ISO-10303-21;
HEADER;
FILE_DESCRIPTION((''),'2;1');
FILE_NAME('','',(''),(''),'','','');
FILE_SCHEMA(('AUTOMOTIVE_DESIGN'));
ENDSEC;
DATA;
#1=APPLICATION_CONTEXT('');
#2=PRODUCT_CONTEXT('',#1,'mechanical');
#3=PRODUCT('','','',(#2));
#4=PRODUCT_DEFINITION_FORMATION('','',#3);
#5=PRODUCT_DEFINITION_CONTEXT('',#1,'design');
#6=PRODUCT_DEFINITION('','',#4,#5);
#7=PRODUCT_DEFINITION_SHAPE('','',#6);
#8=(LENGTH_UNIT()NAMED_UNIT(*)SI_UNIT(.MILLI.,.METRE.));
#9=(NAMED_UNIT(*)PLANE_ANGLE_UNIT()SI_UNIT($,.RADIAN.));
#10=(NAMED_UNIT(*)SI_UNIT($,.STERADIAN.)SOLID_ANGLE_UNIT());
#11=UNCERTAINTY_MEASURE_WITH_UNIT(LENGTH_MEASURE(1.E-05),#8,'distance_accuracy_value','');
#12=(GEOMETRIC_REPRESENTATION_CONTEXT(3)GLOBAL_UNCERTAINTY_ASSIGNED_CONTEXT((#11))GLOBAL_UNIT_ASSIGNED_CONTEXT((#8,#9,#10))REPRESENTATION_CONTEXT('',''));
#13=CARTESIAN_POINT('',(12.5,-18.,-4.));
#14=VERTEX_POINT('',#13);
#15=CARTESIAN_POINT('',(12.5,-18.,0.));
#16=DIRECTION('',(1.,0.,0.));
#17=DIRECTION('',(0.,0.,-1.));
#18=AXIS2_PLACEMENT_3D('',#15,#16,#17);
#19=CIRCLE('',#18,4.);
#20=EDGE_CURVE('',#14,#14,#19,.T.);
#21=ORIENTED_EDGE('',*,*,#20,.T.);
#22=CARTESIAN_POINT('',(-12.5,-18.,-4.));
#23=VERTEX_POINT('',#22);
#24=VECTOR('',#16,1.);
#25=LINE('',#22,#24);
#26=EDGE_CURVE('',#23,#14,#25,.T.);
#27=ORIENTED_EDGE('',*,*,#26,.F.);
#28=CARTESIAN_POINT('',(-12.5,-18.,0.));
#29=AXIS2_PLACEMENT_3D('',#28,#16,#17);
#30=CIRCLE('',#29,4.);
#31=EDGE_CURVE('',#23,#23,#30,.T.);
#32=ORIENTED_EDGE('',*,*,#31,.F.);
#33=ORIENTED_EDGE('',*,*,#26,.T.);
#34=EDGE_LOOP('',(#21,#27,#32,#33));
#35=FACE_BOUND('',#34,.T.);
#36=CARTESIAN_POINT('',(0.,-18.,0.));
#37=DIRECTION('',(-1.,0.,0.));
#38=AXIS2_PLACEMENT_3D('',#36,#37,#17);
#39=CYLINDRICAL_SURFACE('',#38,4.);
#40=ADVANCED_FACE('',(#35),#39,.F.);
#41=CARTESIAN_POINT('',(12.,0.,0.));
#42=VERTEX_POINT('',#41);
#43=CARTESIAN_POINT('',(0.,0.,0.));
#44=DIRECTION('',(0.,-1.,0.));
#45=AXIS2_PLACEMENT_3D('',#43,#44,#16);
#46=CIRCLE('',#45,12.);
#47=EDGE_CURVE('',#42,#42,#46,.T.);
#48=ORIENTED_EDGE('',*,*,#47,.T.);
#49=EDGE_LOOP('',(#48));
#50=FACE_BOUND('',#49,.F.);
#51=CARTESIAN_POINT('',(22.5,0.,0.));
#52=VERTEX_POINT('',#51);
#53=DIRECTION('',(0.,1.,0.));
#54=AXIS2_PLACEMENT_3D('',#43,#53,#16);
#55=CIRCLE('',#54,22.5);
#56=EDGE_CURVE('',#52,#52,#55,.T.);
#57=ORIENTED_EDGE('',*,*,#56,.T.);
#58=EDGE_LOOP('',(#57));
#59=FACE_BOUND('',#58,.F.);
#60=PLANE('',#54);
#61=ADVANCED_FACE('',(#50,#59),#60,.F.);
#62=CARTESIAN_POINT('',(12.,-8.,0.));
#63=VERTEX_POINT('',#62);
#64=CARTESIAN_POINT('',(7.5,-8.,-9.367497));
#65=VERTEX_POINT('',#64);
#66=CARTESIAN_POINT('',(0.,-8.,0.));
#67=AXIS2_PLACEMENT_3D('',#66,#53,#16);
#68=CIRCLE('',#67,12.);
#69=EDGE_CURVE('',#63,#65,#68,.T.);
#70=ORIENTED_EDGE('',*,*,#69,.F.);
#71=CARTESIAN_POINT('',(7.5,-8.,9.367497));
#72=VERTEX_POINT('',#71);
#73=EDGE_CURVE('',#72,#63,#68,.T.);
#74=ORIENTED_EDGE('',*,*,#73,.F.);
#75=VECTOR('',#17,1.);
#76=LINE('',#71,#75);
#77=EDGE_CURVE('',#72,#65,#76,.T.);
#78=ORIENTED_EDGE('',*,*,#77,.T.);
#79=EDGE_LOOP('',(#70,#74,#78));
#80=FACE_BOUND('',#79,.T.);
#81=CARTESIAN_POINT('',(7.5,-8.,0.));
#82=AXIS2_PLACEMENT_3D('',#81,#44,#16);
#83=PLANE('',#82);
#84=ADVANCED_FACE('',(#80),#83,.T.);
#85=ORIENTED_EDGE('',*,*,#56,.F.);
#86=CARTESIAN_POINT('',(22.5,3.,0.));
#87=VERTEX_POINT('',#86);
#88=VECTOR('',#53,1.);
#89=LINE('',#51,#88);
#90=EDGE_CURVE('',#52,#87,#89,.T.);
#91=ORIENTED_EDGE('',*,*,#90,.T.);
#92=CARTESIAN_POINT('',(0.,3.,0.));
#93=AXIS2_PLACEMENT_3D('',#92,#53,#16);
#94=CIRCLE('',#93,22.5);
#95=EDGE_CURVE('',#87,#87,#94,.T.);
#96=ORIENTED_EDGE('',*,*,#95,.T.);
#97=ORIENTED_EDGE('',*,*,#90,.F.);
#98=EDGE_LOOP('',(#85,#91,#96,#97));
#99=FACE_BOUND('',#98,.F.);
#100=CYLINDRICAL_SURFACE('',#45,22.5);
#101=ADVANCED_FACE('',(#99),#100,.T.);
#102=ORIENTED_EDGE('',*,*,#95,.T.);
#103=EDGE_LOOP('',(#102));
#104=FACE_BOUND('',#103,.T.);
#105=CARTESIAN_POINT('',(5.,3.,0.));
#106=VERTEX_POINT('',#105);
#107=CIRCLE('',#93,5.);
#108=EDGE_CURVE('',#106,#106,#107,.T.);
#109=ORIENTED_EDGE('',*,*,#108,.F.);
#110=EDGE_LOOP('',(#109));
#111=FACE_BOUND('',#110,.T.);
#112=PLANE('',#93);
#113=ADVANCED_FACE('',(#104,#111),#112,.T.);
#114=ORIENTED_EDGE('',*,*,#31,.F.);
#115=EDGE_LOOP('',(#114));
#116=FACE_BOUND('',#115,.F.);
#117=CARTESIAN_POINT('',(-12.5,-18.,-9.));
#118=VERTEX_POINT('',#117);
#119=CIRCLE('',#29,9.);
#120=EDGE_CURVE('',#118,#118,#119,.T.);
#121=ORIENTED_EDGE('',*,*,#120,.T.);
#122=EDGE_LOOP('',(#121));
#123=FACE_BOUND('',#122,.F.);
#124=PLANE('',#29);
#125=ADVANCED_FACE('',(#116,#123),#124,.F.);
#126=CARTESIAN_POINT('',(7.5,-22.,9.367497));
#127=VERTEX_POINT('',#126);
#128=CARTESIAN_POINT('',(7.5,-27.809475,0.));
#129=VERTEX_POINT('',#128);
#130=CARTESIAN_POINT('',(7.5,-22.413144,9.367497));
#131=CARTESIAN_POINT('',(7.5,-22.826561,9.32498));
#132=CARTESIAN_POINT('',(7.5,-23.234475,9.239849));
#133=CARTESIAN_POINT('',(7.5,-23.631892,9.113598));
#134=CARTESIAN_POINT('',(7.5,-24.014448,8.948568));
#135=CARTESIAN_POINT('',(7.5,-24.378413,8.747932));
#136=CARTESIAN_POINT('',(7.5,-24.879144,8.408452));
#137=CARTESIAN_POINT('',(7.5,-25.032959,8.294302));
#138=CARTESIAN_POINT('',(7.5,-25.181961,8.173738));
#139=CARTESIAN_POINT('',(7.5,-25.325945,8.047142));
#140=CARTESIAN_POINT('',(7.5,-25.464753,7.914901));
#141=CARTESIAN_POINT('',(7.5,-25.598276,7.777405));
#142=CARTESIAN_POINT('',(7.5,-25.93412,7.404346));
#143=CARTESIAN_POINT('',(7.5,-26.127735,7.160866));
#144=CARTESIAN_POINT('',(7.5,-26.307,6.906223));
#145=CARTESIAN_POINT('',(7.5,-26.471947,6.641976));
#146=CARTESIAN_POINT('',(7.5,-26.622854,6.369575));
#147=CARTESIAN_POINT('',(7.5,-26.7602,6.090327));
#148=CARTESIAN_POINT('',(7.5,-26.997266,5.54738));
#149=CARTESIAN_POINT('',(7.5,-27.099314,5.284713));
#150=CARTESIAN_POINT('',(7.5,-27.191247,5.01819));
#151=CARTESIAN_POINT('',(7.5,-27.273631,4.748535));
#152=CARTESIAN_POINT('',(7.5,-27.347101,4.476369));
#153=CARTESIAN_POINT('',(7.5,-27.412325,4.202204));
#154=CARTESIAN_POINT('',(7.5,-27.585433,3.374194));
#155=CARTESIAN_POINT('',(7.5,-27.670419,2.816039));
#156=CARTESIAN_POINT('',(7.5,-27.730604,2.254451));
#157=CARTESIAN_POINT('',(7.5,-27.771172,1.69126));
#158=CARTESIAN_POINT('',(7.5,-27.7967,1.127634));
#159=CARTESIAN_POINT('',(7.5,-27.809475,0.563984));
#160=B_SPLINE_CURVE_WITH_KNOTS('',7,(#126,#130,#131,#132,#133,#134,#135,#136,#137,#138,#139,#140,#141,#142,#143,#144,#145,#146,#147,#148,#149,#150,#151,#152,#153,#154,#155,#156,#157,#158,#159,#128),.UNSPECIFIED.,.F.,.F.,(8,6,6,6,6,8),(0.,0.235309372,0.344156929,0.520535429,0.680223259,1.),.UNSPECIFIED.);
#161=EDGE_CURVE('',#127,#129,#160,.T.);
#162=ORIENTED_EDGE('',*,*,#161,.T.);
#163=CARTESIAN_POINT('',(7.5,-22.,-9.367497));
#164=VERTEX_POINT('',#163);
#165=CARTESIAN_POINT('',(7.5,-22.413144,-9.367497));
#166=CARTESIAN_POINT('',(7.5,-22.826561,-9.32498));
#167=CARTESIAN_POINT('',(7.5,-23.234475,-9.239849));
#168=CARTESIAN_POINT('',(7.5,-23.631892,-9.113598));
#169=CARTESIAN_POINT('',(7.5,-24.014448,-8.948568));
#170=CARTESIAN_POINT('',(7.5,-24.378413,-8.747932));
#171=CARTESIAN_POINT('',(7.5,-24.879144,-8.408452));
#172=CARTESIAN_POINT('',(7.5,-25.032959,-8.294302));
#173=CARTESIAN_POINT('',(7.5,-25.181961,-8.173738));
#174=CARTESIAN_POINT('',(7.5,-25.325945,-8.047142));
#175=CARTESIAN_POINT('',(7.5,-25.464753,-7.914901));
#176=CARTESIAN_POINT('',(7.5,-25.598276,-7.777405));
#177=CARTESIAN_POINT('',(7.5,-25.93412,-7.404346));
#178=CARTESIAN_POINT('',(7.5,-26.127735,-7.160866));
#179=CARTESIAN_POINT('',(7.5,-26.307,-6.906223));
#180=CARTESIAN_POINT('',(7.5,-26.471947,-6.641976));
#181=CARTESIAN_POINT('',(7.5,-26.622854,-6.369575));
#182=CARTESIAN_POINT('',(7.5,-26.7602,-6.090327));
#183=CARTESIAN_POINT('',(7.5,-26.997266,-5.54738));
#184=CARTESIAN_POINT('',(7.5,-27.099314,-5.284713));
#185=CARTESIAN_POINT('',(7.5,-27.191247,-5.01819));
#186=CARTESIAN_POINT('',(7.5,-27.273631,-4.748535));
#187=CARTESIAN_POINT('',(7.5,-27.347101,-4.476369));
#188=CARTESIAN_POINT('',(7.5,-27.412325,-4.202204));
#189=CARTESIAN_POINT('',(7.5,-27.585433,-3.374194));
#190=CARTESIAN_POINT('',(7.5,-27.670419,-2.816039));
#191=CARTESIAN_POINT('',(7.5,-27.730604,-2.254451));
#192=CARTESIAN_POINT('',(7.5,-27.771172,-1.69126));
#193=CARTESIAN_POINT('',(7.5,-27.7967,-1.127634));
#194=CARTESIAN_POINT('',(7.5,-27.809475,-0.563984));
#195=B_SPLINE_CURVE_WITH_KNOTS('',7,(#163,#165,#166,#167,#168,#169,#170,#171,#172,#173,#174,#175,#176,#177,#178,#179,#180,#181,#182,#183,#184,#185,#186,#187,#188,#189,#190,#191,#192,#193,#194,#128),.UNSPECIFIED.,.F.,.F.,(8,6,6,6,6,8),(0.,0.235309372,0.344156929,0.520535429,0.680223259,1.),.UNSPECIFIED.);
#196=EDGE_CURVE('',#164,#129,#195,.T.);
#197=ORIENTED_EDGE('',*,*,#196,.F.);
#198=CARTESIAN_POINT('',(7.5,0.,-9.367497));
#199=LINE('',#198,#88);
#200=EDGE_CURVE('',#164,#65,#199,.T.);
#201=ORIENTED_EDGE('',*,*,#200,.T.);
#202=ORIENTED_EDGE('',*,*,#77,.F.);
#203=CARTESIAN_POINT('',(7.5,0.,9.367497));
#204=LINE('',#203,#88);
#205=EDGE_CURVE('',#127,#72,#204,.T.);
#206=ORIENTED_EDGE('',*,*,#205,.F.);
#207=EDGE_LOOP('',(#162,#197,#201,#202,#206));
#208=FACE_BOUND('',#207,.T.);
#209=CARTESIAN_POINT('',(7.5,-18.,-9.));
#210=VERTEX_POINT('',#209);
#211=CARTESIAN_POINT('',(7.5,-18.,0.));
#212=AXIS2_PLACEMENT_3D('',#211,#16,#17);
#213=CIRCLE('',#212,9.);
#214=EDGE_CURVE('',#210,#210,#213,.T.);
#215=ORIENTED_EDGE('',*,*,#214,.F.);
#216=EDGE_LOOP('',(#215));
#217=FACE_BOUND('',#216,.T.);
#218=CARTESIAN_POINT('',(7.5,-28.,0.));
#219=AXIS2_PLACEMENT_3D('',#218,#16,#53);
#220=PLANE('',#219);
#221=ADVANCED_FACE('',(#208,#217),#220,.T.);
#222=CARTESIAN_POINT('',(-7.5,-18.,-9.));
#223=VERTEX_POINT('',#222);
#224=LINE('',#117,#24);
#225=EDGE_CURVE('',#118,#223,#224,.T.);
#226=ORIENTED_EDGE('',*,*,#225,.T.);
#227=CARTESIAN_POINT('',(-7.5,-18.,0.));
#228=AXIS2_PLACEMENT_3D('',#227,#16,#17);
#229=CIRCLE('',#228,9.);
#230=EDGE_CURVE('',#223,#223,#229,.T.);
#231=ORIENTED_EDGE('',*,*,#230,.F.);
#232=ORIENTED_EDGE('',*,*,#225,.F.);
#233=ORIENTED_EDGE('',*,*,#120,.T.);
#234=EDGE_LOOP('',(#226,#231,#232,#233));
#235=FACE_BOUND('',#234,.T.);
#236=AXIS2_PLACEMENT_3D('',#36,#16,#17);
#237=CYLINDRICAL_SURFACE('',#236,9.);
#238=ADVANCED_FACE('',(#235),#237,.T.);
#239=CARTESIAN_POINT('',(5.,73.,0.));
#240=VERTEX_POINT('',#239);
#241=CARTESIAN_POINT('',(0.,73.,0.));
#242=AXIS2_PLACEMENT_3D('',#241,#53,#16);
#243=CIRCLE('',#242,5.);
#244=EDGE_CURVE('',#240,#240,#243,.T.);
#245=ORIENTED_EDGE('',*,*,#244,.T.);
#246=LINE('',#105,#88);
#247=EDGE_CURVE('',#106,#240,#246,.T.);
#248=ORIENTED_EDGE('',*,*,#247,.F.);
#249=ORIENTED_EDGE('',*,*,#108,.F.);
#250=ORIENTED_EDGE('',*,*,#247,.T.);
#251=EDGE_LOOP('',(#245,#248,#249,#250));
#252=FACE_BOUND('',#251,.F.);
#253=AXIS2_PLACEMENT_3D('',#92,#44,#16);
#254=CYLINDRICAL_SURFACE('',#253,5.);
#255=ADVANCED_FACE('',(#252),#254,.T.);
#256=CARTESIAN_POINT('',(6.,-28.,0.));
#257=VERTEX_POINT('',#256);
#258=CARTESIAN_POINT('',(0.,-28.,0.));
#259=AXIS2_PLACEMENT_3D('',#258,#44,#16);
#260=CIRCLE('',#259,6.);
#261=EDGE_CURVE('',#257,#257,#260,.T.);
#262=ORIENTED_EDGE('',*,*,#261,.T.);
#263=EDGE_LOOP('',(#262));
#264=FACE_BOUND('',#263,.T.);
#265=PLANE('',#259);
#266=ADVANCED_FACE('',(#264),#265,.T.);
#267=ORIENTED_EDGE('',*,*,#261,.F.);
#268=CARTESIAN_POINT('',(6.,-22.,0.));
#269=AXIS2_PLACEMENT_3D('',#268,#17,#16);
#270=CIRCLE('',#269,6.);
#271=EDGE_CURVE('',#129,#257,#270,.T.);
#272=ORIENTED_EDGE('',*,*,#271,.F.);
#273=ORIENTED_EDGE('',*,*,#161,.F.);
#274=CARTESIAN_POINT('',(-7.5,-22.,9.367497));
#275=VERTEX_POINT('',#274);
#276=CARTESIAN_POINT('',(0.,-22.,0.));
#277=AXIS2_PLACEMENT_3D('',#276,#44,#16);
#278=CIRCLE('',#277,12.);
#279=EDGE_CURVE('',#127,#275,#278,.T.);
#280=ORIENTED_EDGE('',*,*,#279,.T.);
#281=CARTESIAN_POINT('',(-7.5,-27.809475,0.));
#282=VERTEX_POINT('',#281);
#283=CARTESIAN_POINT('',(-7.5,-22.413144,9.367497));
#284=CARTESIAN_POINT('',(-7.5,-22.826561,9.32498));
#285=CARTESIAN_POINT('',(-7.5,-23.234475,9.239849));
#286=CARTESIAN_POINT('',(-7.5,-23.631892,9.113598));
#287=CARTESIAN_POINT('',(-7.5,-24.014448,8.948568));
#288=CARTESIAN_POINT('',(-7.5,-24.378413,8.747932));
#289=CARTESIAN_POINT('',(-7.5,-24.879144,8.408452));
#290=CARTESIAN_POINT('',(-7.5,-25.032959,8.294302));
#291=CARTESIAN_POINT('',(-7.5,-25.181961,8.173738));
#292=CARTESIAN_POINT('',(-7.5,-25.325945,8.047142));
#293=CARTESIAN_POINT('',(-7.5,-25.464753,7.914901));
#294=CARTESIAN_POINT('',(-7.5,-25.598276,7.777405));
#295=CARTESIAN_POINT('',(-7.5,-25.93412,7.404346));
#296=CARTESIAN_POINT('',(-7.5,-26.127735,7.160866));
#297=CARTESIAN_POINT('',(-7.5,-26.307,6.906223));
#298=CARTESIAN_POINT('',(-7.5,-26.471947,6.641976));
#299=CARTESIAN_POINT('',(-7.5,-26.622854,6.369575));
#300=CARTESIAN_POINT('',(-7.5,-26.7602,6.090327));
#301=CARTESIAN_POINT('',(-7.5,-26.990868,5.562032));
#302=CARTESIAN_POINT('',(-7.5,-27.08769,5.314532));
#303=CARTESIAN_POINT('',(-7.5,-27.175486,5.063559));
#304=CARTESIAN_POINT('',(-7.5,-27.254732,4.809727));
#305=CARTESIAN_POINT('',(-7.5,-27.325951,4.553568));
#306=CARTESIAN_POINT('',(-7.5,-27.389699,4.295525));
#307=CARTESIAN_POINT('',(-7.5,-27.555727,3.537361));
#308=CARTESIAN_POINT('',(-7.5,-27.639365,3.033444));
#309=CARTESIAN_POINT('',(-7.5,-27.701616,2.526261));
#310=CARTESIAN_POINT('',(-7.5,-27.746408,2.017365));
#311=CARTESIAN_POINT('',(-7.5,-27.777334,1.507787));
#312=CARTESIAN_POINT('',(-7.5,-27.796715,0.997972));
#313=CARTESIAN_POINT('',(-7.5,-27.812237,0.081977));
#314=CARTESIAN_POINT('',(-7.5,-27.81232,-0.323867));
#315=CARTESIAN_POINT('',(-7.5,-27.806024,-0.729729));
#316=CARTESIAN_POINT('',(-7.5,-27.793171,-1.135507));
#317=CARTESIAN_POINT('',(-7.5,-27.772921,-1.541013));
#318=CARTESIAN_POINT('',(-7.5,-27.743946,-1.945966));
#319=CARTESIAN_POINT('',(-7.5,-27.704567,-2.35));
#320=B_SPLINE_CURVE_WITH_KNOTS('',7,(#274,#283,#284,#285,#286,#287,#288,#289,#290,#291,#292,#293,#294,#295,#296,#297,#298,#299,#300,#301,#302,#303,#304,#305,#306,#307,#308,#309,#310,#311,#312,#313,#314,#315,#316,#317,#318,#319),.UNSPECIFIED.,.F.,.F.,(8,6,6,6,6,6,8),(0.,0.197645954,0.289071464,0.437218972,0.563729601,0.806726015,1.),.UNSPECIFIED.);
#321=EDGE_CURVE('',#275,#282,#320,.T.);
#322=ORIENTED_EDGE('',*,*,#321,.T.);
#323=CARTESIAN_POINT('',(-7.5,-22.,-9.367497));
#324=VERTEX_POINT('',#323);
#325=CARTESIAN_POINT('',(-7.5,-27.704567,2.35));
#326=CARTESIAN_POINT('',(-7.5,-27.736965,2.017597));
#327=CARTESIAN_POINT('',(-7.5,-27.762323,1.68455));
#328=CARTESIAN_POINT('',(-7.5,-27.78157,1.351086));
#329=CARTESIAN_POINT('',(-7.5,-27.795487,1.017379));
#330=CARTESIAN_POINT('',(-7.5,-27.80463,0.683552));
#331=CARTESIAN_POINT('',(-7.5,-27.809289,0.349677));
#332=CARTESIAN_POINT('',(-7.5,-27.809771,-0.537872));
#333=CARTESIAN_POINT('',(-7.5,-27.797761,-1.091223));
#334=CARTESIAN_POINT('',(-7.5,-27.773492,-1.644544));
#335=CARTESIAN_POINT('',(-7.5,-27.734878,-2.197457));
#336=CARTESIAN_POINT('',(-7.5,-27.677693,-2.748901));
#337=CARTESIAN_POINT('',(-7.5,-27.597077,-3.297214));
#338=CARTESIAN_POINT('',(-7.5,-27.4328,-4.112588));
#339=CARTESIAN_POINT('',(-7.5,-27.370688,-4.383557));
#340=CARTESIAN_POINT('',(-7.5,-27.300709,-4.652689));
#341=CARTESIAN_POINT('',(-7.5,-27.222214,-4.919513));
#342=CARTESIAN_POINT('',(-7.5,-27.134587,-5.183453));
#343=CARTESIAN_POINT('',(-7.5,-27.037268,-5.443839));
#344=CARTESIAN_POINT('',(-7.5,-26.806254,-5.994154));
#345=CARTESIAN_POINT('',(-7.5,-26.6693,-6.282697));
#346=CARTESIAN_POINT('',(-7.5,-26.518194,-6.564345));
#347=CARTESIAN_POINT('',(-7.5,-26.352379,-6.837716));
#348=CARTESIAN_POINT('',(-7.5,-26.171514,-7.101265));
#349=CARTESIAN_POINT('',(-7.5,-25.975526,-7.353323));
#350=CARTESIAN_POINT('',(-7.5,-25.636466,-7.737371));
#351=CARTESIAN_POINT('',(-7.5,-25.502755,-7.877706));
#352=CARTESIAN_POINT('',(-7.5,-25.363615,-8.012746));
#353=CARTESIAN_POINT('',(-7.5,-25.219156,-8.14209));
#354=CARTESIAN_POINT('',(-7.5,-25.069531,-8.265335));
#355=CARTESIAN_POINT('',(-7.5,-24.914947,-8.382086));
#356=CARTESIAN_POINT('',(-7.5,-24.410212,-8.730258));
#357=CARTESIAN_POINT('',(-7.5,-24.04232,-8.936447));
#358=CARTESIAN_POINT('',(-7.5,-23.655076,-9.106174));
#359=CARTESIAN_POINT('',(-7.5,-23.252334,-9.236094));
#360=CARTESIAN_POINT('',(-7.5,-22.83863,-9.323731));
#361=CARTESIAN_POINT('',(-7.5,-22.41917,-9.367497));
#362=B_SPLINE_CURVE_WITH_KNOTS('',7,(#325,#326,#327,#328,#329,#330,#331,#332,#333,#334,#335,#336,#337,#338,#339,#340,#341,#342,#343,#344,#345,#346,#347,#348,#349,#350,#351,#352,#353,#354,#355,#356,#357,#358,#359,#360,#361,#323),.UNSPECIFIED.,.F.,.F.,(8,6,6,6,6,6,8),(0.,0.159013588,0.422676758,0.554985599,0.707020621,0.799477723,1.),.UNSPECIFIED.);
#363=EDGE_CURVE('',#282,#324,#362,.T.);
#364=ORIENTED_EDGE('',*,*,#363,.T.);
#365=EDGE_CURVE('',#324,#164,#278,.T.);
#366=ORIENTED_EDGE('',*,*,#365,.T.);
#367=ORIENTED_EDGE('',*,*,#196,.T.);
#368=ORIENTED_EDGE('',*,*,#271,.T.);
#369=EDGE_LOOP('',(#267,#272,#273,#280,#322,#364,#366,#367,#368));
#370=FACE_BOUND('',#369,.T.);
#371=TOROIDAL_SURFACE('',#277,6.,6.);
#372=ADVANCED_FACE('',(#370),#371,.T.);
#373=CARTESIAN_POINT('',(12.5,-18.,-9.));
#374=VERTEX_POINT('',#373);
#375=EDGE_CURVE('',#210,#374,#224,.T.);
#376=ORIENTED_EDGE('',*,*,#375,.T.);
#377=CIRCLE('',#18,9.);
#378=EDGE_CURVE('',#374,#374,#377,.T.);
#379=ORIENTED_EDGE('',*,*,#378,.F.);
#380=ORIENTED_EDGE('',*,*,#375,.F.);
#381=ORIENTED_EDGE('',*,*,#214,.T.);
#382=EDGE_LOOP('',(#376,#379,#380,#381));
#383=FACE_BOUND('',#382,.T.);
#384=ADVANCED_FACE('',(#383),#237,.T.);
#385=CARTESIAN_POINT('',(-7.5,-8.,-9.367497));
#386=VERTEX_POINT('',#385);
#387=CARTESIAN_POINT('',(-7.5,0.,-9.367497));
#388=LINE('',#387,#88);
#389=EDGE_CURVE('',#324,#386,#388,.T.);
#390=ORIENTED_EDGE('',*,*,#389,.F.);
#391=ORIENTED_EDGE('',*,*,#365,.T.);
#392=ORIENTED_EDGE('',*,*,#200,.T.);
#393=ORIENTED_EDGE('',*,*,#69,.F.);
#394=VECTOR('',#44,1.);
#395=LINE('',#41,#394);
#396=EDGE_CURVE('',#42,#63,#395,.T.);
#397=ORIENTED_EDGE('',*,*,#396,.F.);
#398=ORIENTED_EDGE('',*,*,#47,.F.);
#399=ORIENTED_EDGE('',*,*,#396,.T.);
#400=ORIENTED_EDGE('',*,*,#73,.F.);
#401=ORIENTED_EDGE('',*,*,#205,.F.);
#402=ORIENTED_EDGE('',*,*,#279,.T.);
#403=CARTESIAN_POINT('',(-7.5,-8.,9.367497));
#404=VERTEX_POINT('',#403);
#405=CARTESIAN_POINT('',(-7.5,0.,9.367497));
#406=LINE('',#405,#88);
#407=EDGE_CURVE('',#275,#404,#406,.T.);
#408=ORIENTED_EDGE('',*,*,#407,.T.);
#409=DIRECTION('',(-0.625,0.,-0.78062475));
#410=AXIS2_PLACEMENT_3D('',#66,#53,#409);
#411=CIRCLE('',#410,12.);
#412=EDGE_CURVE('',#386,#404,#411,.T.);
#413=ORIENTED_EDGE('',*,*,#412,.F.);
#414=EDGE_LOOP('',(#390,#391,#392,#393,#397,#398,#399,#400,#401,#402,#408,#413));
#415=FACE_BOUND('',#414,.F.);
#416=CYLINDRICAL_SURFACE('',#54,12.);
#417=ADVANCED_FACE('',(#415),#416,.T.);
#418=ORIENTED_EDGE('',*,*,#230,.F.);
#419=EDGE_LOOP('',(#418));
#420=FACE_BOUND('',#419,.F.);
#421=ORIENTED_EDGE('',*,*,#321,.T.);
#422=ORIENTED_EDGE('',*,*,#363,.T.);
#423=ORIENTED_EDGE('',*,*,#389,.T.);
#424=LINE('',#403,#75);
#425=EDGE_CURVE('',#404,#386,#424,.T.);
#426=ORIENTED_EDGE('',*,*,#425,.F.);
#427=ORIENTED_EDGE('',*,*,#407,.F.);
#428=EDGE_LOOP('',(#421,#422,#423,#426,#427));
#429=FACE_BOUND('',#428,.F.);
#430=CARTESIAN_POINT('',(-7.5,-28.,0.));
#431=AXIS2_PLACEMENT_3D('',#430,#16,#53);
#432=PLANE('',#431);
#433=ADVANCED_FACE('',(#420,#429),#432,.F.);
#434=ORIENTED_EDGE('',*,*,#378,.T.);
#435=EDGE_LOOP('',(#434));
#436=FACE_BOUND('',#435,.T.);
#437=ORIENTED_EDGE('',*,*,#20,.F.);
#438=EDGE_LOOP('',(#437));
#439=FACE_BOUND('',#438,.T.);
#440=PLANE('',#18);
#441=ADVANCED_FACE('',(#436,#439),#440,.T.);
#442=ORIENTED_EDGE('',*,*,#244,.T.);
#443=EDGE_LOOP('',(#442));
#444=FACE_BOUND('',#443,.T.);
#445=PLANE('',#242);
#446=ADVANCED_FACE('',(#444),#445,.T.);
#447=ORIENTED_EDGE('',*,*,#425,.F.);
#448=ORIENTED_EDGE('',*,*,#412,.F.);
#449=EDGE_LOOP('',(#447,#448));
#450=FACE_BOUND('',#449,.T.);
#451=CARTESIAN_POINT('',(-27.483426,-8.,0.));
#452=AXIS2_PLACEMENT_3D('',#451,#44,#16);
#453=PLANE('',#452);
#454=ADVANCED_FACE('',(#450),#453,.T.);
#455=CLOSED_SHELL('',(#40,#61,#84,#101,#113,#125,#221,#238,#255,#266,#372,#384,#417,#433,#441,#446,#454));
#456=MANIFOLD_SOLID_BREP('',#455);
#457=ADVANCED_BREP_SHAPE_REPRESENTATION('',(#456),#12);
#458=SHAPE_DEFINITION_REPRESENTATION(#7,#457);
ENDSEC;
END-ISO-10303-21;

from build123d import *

# Parameters (mm, degrees)
SKETCH1_R               = 22.5
BOSS_EXTRUDE1_DEPTH     = 3
SKETCH2_R               = 5
BOSS_EXTRUDE2_DEPTH     = 70
SKETCH3_R               = 12
BOSS_EXTRUDE3_DEPTH     = 28
FILLET1_R               = 6
SKETCH4_W               = 19.983426231
SKETCH4_H               = 20
CUT_EXTRUDE1_DEPTH      = 23.5
CUT_EXTRUDE1_DEPTH_BACK = 23.5
SKETCH5_R               = 4
CUT_EXTRUDE2_DEPTH      = 16
CUT_EXTRUDE2_DEPTH_BACK = 31
SKETCH7_R               = 9
SKETCH7_R_2             = 4
BOSS_EXTRUDE5_DEPTH     = 12.5


with BuildPart() as part:
    # Sketch1 → Boss-Extrude1 (new body)
    with BuildSketch(Plane(origin=(0, 0, 0), x_dir=(1, 0, 0), z_dir=(0, 1, 0))):
        Circle(SKETCH1_R)
    extrude(amount=BOSS_EXTRUDE1_DEPTH)

    # Sketch2 → Boss-Extrude2 (add)
    with BuildSketch(Plane(origin=(0, 3, 0), x_dir=(1, 0, 0), z_dir=(0, 1, 0))):
        Circle(SKETCH2_R)
    extrude(amount=BOSS_EXTRUDE2_DEPTH)

    # Sketch3 → Boss-Extrude3 (add)
    with BuildSketch(Plane.XZ):
        Circle(SKETCH3_R)
    extrude(amount=BOSS_EXTRUDE3_DEPTH)

    # Fillet1
    fillet1_edges = [part.edges().sort_by_distance(p)[0] for p in [
        (-12, -28, 0),
    ]]
    fillet(fillet1_edges, radius=FILLET1_R)

    # Sketch4 → Cut-Extrude1 (cut, two sides)
    with BuildSketch(Plane.XY) as cut_extrude1_sk:
        with Locations((17.491713116, -18)):
            Rectangle(SKETCH4_W, SKETCH4_H)
        with Locations((-17.491713116, -18)):
            Rectangle(SKETCH4_W, SKETCH4_H)
    extrude(amount=CUT_EXTRUDE1_DEPTH, mode=Mode.SUBTRACT)
    extrude(cut_extrude1_sk.sketch, amount=-CUT_EXTRUDE1_DEPTH_BACK, mode=Mode.SUBTRACT)

    # Sketch5 → Cut-Extrude2 (cut, two sides)
    with BuildSketch(Plane(origin=(7.5, 0, 0), x_dir=(0, 0, -1), z_dir=(1, 0, 0))) as cut_extrude2_sk:
        with Locations((0, -18)):
            Circle(SKETCH5_R)
    extrude(amount=CUT_EXTRUDE2_DEPTH, mode=Mode.SUBTRACT)
    extrude(cut_extrude2_sk.sketch, amount=-CUT_EXTRUDE2_DEPTH_BACK, mode=Mode.SUBTRACT)

    # Sketch7 → Boss-Extrude5 (add, symmetric)
    with BuildSketch(Plane(origin=(0, 0, 0), x_dir=(0, 0, -1), z_dir=(1, 0, 0))):
        with Locations((0, -18)):
            Circle(SKETCH7_R)
        with Locations((0, -18)):
            Circle(SKETCH7_R_2, mode=Mode.SUBTRACT)
    extrude(amount=BOSS_EXTRUDE5_DEPTH, both=True)


solid = part.part
